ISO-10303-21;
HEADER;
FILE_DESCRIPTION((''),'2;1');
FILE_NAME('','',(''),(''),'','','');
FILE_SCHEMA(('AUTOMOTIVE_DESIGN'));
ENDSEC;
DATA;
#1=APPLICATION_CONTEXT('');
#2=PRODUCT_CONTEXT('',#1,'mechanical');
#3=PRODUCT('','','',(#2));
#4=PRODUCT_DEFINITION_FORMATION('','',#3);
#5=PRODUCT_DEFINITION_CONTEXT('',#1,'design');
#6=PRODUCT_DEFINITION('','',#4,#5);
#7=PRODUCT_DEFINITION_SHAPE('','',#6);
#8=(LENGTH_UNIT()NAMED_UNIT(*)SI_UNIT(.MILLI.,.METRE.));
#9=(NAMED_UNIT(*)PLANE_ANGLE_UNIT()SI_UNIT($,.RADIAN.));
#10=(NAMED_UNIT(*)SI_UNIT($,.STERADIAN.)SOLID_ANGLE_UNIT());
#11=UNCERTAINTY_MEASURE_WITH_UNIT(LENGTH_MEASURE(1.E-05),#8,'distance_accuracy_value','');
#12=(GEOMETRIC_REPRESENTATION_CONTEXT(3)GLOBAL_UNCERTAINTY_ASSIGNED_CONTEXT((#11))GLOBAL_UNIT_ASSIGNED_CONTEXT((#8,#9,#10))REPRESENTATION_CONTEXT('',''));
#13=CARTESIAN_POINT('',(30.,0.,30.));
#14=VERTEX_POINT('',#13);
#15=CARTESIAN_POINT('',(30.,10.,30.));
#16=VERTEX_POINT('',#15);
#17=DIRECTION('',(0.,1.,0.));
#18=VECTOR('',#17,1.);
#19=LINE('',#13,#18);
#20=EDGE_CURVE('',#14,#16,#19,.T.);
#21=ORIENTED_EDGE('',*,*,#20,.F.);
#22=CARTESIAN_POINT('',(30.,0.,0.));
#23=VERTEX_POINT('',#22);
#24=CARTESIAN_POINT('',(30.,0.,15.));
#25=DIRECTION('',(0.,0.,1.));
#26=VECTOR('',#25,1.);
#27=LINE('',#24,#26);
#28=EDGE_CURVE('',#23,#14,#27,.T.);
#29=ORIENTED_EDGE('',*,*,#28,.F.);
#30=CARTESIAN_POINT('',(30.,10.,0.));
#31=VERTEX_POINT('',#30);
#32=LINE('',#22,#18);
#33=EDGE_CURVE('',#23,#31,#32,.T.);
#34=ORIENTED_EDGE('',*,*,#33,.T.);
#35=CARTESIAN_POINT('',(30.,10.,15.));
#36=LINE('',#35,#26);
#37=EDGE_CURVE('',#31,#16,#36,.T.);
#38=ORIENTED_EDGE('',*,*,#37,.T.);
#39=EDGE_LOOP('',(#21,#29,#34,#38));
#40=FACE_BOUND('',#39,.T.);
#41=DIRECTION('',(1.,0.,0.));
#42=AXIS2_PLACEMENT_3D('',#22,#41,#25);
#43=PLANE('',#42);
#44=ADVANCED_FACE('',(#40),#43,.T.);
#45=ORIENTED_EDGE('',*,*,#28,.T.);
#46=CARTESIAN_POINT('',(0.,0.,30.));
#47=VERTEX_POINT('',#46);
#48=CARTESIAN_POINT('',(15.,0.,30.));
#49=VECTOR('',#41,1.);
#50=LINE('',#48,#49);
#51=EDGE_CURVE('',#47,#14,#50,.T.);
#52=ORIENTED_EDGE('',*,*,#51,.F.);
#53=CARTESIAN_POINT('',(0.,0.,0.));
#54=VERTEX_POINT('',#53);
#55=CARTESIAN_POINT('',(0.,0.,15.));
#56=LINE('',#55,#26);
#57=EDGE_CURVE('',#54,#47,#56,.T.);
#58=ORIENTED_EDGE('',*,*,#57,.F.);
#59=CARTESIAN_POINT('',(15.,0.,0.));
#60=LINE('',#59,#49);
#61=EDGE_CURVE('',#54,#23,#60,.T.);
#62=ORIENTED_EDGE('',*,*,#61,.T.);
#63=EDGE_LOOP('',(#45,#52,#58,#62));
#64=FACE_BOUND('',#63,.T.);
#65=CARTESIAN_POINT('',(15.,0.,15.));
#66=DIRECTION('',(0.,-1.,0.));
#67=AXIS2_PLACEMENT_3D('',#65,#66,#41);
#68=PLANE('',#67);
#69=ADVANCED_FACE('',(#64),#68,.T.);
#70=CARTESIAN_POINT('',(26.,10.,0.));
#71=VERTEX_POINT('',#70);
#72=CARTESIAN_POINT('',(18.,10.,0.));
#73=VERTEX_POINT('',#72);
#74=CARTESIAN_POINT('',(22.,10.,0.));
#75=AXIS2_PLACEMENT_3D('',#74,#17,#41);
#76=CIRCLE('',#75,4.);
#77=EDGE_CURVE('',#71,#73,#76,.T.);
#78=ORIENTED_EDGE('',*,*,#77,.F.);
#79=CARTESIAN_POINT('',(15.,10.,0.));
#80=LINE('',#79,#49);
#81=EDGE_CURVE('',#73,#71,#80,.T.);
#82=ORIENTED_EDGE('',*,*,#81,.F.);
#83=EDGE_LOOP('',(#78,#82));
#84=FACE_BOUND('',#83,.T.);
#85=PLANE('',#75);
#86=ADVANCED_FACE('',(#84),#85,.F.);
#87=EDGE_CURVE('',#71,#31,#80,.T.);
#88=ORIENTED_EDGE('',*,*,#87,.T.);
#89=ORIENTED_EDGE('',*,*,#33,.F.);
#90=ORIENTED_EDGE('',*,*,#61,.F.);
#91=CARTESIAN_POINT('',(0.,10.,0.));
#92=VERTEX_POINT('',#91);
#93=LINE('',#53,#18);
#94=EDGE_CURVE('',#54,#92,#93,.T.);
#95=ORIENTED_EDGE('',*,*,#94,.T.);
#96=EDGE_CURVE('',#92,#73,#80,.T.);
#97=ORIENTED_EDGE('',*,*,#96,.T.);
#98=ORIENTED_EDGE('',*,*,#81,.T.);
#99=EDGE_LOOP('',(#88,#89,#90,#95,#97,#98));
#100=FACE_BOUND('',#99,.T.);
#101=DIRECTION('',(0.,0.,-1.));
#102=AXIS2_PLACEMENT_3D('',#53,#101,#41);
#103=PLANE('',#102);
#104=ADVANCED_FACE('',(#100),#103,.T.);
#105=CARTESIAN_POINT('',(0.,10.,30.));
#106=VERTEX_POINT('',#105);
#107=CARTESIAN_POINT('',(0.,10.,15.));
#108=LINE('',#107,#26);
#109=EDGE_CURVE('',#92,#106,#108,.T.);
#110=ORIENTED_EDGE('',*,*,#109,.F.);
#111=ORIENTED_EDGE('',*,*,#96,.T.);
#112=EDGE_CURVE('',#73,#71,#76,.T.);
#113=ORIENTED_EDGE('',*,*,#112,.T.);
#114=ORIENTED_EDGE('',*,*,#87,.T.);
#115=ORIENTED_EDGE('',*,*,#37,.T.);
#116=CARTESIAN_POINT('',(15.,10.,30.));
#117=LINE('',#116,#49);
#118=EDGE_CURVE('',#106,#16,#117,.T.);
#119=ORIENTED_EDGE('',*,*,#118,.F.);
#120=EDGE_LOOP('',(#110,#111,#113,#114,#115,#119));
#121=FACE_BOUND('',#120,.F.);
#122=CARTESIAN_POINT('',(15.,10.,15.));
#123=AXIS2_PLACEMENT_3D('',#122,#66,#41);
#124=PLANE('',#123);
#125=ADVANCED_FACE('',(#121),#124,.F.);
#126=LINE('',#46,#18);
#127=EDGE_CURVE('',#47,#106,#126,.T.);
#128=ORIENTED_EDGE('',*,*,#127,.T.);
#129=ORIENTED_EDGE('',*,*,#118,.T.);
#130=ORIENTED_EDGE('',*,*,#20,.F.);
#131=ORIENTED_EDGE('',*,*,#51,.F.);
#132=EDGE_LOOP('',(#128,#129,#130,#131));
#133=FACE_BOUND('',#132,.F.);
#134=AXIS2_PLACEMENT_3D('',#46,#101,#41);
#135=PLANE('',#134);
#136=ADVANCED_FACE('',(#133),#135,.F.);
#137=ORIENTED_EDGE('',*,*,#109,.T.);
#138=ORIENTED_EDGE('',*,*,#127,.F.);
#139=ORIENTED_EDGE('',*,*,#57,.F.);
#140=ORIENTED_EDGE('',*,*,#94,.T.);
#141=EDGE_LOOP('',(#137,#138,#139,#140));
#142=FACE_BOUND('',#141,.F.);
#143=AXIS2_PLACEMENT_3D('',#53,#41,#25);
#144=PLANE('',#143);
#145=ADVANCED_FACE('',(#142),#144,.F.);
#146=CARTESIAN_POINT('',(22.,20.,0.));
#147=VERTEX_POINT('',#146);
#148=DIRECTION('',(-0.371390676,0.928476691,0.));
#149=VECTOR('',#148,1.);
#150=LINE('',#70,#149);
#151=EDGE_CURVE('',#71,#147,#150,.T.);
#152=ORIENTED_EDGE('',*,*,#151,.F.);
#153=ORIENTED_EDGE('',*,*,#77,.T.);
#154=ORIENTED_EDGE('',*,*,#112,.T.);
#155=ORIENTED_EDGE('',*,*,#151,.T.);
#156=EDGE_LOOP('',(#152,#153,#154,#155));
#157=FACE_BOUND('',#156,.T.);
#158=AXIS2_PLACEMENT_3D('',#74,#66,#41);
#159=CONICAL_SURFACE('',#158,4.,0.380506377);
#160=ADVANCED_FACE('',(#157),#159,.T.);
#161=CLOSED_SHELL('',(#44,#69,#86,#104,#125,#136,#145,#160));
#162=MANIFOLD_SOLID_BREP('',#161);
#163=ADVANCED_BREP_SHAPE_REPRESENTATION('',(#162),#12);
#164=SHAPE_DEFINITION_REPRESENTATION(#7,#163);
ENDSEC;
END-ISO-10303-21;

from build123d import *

# Parameters (mm, degrees)
F0_W     = 30
F0_H     = 30
F1_DEPTH = 10


with BuildPart() as f1:
    # F0 (on Front) → F1 (new body)
    with BuildSketch(Plane.XZ):
        with Locations((15, 15)):
            Rectangle(F0_W, F0_H)
    extrude(amount=-F1_DEPTH)

    # F3 (on Top) → F4 (revolve)
    with BuildSketch(Plane.XY):
        Polygon((22, 20), (22, 10), (26, 10), align=None)
    revolve(axis=Axis((22, 15, 0), (0, 1, 0)))


solid = f1.part
